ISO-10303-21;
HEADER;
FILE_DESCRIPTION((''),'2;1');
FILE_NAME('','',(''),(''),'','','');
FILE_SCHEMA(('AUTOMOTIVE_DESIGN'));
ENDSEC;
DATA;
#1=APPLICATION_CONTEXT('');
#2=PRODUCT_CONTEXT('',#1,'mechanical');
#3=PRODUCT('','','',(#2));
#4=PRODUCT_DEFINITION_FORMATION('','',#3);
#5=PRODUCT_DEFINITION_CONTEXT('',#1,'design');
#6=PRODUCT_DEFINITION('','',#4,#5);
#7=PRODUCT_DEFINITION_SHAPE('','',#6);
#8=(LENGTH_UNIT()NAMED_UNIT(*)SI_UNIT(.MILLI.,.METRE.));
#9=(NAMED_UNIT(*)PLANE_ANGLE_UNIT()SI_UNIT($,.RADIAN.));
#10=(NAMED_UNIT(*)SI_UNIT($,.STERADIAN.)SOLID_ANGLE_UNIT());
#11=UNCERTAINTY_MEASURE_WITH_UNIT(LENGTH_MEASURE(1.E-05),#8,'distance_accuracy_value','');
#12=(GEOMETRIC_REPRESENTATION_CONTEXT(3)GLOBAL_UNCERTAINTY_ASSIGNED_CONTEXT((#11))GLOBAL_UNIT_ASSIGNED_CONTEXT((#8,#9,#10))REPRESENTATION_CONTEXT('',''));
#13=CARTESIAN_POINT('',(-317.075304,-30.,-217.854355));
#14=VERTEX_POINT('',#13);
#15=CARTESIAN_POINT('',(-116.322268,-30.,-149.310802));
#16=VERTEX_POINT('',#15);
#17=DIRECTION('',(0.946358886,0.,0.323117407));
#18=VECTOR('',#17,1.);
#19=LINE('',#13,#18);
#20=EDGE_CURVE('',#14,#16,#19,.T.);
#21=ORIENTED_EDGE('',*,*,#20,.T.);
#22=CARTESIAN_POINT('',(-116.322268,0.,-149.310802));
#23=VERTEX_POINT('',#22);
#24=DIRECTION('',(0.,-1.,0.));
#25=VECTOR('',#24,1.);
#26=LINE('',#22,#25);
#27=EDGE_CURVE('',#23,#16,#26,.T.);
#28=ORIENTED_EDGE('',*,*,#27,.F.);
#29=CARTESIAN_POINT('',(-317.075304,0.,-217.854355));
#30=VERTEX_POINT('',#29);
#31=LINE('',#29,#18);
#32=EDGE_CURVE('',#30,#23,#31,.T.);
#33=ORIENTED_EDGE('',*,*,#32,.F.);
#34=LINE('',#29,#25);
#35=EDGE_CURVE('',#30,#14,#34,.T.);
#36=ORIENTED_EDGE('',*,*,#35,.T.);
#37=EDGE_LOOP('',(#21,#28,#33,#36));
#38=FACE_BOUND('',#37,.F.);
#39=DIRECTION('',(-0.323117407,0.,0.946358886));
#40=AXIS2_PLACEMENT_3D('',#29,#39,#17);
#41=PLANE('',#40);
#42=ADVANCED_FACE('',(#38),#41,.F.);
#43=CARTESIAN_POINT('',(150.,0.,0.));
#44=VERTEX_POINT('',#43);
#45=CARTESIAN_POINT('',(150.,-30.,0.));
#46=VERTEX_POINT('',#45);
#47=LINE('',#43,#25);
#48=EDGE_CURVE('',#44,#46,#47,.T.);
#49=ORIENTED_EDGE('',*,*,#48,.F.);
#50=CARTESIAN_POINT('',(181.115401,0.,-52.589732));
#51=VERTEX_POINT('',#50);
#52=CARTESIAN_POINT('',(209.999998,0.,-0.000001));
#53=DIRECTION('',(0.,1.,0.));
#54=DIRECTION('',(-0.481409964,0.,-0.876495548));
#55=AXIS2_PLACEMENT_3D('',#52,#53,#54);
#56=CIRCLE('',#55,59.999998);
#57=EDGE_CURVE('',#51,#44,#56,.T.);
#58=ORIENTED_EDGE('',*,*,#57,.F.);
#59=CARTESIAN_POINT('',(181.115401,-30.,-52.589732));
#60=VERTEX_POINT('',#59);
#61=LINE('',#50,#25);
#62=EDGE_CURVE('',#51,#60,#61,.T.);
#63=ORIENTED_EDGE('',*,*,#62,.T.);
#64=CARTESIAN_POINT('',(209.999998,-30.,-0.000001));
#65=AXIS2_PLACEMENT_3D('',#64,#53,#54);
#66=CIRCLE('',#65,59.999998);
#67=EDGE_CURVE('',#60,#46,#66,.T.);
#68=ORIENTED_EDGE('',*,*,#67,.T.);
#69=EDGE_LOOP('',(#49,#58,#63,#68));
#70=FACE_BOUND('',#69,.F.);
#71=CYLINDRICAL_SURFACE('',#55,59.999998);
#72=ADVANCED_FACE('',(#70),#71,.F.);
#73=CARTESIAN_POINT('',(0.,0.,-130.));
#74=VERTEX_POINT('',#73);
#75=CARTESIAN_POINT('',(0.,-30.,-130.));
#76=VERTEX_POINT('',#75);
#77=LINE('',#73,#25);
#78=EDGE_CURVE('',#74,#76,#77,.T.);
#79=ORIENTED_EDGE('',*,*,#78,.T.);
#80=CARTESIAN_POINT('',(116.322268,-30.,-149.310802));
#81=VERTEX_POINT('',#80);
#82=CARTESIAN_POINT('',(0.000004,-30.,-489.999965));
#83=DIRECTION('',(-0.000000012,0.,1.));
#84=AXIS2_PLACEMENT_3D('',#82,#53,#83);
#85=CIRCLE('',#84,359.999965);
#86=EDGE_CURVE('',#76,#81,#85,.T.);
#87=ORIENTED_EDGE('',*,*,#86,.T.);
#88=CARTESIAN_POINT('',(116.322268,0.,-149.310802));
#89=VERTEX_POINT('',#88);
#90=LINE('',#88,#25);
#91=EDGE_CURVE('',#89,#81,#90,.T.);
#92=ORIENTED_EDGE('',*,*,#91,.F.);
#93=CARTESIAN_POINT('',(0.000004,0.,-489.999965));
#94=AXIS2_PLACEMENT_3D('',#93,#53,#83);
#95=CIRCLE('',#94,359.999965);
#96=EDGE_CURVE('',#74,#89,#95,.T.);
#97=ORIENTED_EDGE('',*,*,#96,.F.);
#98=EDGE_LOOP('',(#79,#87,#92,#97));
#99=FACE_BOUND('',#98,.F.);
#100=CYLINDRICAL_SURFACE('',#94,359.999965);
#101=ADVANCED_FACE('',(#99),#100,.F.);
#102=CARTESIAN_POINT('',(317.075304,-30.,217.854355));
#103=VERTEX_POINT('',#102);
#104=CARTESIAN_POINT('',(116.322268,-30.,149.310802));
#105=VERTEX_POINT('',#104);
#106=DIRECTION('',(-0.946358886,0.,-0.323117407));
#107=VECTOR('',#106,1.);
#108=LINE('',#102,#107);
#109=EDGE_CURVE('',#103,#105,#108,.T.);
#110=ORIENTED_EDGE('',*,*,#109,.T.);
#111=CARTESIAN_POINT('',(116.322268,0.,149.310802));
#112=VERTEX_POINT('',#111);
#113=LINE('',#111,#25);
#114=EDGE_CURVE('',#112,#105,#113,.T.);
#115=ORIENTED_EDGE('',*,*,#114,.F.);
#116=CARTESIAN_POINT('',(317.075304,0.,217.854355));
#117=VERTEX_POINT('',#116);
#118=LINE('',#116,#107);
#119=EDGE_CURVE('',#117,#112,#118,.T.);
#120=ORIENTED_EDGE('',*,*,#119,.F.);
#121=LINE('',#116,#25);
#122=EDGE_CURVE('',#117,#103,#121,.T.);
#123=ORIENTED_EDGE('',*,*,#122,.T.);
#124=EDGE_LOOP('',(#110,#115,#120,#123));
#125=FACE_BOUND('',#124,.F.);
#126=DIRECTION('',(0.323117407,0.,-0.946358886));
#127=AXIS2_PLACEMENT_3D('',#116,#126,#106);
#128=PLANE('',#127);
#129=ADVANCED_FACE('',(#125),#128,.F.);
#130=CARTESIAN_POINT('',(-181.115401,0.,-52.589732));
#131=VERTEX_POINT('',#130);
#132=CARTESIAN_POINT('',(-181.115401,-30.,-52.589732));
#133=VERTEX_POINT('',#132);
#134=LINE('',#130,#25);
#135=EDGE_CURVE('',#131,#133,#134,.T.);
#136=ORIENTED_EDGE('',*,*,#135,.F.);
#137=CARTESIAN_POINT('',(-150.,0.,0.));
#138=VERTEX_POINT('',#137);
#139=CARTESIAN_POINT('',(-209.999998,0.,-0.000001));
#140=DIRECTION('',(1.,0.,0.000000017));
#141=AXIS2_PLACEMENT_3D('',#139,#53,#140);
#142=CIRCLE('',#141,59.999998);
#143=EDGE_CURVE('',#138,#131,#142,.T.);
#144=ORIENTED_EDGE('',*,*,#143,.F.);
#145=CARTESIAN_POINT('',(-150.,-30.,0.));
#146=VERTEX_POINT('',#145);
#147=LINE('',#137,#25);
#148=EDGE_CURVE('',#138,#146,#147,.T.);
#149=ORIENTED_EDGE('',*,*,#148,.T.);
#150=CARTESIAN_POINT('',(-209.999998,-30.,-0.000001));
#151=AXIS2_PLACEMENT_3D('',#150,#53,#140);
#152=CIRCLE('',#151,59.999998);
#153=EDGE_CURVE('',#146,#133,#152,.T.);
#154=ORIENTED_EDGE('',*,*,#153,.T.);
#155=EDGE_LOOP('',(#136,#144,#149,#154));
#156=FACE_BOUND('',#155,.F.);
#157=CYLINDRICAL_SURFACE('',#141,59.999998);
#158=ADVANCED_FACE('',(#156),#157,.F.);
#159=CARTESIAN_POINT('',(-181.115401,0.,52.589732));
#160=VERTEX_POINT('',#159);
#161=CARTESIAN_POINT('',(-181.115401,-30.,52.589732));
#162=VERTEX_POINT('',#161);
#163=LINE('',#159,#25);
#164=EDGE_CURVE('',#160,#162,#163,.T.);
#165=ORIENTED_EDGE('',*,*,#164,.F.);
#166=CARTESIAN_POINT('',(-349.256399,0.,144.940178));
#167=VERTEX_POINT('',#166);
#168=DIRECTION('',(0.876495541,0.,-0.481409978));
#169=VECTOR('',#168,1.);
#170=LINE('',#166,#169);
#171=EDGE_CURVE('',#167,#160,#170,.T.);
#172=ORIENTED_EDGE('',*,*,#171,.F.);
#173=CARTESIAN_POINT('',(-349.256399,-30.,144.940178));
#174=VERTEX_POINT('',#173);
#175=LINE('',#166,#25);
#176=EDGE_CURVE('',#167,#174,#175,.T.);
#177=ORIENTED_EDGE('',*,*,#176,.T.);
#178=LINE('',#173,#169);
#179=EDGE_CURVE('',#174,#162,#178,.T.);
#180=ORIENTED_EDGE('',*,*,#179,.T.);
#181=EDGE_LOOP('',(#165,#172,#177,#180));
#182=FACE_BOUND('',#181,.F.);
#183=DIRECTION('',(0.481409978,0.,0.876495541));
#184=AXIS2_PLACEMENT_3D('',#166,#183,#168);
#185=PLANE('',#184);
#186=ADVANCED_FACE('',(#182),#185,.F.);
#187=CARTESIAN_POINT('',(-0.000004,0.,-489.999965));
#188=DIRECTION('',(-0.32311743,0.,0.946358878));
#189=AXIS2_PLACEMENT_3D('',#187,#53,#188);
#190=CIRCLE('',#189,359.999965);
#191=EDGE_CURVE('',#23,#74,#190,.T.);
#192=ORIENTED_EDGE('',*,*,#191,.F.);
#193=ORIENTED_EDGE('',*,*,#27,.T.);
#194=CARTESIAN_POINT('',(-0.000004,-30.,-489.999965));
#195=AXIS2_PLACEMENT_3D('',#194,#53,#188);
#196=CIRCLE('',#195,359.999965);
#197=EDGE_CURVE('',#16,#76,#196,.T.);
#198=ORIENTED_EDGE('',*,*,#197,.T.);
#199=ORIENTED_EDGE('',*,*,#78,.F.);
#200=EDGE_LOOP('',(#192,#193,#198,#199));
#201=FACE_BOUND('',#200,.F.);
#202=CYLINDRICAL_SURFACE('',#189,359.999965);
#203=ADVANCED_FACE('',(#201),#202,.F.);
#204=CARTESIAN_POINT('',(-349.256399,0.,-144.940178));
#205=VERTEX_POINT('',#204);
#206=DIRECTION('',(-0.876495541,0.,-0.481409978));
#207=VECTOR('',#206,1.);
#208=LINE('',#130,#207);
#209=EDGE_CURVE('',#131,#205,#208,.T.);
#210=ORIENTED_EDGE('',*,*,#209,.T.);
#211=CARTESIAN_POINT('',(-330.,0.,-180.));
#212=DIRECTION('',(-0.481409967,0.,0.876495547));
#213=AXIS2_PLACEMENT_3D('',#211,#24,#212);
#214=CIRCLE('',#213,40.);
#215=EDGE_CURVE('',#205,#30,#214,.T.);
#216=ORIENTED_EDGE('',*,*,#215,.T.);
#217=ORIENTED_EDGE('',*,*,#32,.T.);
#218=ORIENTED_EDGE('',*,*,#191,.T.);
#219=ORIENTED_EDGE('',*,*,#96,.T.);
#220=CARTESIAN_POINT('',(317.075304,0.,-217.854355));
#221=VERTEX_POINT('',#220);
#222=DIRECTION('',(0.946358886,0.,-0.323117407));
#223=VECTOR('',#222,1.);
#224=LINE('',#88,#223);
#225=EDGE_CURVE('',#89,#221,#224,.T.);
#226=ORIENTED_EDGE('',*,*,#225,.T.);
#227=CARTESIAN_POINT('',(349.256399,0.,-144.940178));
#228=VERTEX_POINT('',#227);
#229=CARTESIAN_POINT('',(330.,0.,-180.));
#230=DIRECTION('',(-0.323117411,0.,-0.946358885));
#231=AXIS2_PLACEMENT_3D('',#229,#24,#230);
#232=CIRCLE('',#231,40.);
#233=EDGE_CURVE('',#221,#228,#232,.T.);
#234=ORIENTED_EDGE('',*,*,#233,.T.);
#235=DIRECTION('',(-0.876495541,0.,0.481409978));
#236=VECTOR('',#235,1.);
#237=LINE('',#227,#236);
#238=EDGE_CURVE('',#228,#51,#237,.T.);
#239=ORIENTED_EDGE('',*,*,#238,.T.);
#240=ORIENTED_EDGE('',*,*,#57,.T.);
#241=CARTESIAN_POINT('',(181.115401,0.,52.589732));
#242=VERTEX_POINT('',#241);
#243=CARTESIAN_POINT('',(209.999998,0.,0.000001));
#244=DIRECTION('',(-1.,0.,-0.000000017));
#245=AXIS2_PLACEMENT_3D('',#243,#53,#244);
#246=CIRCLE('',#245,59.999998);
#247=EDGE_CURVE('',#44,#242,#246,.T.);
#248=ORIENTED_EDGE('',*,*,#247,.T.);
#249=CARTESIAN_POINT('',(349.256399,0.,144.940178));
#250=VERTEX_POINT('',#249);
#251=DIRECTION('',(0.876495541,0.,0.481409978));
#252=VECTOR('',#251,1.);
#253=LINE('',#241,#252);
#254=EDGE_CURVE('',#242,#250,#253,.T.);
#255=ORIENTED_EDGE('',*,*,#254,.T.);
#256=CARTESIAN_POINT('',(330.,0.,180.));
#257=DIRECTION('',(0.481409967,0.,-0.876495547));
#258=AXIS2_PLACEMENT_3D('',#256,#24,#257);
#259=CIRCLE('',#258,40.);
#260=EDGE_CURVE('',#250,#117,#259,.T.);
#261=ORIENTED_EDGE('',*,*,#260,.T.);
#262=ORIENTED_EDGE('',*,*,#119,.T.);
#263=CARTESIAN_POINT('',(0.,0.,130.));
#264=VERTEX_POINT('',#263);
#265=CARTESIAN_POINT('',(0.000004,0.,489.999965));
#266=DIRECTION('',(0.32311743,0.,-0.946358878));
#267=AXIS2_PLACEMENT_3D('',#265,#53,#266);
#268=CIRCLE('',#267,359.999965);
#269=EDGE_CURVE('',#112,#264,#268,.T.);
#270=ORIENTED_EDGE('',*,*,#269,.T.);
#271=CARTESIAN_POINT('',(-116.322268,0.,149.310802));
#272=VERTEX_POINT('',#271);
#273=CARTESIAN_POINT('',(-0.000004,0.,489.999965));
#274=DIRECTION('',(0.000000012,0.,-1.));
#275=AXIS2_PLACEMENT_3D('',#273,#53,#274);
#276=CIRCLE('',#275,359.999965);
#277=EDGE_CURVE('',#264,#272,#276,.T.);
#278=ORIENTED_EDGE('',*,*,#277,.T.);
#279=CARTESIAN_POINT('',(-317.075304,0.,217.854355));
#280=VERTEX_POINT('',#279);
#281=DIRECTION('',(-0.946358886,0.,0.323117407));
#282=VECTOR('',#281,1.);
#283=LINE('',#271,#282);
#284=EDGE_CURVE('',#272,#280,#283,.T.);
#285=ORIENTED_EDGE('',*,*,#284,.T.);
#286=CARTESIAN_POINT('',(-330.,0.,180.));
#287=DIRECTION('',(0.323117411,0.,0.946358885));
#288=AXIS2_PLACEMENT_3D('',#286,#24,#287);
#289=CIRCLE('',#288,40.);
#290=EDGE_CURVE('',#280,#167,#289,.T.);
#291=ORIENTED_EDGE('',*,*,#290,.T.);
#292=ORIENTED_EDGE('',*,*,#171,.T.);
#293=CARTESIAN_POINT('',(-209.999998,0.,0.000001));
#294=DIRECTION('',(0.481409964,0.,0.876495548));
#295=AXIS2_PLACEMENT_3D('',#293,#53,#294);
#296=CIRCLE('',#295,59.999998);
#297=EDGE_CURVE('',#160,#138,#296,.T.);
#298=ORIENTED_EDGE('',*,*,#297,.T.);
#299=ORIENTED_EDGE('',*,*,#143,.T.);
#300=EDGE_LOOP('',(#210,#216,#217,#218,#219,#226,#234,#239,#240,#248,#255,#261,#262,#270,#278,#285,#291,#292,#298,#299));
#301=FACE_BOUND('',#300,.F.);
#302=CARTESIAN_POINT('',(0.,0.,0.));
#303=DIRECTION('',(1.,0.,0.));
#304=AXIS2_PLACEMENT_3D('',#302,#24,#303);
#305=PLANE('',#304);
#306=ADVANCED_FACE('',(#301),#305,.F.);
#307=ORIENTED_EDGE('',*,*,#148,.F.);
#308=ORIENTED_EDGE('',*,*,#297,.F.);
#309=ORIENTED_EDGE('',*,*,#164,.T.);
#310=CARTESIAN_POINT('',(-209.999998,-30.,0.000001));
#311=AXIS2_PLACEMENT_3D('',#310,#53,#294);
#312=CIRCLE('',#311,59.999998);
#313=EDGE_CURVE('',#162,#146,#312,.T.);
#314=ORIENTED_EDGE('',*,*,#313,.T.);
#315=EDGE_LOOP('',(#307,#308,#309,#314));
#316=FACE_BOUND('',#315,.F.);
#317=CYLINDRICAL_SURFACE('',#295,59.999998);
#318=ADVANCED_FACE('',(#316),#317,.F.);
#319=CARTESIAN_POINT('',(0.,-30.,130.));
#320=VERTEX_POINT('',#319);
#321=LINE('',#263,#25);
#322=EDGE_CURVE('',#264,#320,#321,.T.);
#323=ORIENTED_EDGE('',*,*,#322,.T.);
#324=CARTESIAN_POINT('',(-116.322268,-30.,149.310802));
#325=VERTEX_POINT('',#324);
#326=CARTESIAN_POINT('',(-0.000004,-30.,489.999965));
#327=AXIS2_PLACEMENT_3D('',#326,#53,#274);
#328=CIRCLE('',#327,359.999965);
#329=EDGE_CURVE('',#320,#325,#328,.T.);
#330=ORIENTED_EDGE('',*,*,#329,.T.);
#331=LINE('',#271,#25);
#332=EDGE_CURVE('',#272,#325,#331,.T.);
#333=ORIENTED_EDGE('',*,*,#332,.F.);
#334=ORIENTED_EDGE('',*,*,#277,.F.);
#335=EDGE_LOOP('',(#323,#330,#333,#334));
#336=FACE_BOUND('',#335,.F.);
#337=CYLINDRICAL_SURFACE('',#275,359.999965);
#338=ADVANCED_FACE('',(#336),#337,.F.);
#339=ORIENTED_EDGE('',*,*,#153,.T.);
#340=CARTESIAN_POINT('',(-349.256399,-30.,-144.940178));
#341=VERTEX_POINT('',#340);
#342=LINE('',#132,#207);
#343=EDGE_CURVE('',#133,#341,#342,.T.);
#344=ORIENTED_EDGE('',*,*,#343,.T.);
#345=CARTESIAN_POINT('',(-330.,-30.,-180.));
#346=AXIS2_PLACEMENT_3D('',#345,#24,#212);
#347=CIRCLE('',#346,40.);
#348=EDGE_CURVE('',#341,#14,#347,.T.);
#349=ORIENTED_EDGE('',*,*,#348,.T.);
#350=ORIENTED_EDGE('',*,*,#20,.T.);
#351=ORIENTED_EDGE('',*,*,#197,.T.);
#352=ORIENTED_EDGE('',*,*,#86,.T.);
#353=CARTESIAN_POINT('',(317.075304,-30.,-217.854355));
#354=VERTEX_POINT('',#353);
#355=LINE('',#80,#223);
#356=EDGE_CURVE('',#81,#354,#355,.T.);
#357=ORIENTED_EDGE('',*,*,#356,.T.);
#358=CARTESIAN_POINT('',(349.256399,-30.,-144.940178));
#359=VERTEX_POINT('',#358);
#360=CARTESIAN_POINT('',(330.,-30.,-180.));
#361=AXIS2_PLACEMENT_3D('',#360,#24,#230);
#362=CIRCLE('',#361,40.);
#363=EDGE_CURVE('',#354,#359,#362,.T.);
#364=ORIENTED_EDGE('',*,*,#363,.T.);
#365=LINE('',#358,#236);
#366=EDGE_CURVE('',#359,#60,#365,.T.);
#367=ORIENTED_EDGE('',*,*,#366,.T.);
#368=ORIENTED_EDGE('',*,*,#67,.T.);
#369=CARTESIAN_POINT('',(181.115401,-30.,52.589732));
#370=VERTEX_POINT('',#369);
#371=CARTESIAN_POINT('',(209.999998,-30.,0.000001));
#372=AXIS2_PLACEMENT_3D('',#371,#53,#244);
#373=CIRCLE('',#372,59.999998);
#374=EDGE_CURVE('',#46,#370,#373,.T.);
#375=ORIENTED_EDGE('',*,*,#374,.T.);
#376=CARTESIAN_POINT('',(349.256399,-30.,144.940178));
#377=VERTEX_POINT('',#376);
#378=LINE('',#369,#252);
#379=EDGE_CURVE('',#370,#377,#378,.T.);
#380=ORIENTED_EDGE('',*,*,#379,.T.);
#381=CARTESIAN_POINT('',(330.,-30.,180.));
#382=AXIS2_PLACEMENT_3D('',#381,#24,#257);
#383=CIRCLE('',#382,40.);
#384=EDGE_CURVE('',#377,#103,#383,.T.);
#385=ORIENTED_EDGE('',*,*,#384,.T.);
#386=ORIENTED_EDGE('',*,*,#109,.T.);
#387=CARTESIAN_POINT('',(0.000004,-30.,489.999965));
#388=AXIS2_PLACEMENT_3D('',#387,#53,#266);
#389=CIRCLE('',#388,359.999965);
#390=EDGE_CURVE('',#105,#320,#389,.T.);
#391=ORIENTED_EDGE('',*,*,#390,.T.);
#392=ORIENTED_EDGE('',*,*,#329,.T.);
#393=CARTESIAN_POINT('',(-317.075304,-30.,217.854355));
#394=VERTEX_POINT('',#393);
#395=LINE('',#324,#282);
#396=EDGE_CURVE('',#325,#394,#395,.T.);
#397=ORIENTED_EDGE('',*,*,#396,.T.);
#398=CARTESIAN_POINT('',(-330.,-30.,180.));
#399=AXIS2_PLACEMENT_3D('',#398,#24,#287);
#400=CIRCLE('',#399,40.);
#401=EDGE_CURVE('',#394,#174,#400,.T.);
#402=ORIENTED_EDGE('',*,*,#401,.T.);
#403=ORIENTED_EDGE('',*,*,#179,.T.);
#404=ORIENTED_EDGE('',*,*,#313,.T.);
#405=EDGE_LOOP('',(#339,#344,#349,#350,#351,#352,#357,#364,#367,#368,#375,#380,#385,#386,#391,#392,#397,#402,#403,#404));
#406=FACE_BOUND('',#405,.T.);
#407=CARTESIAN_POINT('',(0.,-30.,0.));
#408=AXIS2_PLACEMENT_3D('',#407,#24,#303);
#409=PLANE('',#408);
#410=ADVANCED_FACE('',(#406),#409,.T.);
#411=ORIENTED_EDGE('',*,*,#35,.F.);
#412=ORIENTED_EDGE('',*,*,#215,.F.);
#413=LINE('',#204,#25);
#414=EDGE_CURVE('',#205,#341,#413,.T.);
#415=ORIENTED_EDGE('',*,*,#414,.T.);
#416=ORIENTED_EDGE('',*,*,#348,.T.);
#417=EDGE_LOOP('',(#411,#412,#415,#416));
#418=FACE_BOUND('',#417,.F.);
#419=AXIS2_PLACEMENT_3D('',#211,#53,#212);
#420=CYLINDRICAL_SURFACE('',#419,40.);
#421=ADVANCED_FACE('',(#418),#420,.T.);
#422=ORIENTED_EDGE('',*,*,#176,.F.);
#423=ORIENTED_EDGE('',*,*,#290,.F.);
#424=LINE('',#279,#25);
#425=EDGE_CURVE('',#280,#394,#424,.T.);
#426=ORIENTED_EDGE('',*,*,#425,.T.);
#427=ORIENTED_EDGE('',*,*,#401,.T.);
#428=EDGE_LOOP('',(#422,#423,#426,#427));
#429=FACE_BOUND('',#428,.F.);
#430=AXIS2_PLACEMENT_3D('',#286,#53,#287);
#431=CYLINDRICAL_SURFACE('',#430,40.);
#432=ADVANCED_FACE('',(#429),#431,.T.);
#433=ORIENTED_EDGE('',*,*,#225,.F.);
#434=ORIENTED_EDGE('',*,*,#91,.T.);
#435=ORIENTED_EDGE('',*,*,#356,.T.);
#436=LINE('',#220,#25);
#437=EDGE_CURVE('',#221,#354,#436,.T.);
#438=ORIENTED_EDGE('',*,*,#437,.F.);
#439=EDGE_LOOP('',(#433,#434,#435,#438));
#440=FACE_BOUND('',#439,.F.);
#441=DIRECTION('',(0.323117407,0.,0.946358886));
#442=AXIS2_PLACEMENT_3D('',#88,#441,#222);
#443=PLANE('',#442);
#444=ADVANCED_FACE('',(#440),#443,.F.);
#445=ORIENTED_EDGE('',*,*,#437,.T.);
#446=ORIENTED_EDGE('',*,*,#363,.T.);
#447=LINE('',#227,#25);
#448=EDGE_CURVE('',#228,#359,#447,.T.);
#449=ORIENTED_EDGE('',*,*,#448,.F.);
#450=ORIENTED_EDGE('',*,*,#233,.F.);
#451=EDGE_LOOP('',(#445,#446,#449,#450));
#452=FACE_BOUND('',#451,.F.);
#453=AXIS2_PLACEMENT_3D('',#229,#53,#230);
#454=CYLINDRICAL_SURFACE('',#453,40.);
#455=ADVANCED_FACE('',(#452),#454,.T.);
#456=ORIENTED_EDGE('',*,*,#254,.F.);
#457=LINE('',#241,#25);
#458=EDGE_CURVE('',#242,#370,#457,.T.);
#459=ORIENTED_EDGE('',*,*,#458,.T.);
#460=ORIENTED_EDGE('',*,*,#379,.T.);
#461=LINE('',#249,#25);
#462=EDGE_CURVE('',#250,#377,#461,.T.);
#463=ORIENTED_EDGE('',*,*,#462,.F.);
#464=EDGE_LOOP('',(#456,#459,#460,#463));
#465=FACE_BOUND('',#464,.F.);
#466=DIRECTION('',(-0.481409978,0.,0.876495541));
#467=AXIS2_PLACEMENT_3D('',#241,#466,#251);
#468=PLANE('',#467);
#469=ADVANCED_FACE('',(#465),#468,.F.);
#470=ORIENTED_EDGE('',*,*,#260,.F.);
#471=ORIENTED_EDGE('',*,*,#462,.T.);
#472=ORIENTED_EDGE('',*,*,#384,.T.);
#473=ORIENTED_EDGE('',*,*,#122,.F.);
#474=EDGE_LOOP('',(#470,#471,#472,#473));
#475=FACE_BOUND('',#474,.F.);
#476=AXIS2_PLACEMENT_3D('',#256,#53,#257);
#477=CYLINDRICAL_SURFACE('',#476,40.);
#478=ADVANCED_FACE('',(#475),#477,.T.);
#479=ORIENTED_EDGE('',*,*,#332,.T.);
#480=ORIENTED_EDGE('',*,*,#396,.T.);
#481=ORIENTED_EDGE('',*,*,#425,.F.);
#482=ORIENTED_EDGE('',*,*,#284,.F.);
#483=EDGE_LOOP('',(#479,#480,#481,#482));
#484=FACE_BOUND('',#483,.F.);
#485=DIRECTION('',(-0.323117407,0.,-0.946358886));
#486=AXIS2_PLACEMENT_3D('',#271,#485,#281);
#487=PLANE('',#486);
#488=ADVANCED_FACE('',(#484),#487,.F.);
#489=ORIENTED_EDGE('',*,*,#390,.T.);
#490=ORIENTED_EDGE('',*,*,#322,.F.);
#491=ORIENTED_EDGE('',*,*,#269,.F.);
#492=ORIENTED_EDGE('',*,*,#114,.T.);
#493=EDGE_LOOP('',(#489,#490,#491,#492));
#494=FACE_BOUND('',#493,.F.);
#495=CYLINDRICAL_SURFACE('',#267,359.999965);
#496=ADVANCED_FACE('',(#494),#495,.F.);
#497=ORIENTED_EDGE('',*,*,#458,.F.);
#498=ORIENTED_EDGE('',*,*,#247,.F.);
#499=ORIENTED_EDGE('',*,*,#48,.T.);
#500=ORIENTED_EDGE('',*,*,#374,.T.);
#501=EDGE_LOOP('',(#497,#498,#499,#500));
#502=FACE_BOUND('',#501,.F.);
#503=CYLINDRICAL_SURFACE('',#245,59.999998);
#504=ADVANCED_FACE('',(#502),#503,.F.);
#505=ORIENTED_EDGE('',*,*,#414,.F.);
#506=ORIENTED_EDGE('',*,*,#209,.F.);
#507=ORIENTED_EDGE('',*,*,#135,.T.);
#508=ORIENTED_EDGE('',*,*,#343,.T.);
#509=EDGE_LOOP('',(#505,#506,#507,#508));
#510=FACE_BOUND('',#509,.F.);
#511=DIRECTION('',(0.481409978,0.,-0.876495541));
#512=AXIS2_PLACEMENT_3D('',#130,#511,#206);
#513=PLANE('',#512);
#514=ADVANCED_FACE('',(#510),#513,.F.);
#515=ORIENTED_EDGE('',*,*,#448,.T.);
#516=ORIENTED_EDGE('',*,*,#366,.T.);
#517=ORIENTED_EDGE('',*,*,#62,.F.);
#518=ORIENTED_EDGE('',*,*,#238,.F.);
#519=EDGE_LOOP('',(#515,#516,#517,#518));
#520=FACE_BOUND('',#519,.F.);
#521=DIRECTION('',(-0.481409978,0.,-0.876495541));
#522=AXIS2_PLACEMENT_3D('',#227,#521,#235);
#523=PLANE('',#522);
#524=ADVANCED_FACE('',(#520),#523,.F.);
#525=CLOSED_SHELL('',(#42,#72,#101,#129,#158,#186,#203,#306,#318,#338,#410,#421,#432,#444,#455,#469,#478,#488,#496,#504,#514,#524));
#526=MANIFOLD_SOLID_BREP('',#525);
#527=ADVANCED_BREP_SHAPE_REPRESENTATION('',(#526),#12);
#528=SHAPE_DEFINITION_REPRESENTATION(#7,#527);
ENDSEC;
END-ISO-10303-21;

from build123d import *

# Parameters (mm, degrees)
F1_DEPTH = 30


with BuildPart() as f1:
    # F0 (on Front) → F1 (new body)
    with BuildSketch(Plane.XZ):
        with BuildLine():
            Line((-116.322268, 149.310802), (-317.075304, 217.854355))
            ThreePointArc((-317.075304, 217.854355), (-366.594288, 196.151102), (-349.256399, 144.940178))
            Line((-349.256399, 144.940178), (-181.115401, 52.589732))
            ThreePointArc((-181.115401, 52.589732), (-158.361468, 30.552611), (-150, 0))
            ThreePointArc((-150, 0), (-158.361468, -30.552611), (-181.115401, -52.589732))
            Line((-181.115401, -52.589732), (-349.256399, -144.940178))
            ThreePointArc((-349.256399, -144.940178), (-366.594288, -196.151102), (-317.075304, -217.854355))
            Line((-317.075304, -217.854355), (-116.322268, -149.310802))
            ThreePointArc((-116.322268, -149.310802), (-58.957139, -134.860512), (0, -130))
            ThreePointArc((0, -130), (58.957139, -134.860512), (116.322268, -149.310802))
            Line((116.322268, -149.310802), (317.075304, -217.854355))
            ThreePointArc((317.075304, -217.854355), (366.594288, -196.151102), (349.256399, -144.940178))
            Line((349.256399, -144.940178), (181.115401, -52.589732))
            ThreePointArc((181.115401, -52.589732), (158.361468, -30.552611), (150, 0))
            ThreePointArc((150, 0), (158.361468, 30.552611), (181.115401, 52.589732))
            Line((181.115401, 52.589732), (349.256399, 144.940178))
            ThreePointArc((349.256399, 144.940178), (366.594288, 196.151102), (317.075304, 217.854355))
            Line((317.075304, 217.854355), (116.322268, 149.310802))
            ThreePointArc((116.322268, 149.310802), (58.957139, 134.860512), (0, 130))
            ThreePointArc((0, 130), (-58.957139, 134.860512), (-116.322268, 149.310802))
        make_face()
    extrude(amount=F1_DEPTH)


solid = f1.part
